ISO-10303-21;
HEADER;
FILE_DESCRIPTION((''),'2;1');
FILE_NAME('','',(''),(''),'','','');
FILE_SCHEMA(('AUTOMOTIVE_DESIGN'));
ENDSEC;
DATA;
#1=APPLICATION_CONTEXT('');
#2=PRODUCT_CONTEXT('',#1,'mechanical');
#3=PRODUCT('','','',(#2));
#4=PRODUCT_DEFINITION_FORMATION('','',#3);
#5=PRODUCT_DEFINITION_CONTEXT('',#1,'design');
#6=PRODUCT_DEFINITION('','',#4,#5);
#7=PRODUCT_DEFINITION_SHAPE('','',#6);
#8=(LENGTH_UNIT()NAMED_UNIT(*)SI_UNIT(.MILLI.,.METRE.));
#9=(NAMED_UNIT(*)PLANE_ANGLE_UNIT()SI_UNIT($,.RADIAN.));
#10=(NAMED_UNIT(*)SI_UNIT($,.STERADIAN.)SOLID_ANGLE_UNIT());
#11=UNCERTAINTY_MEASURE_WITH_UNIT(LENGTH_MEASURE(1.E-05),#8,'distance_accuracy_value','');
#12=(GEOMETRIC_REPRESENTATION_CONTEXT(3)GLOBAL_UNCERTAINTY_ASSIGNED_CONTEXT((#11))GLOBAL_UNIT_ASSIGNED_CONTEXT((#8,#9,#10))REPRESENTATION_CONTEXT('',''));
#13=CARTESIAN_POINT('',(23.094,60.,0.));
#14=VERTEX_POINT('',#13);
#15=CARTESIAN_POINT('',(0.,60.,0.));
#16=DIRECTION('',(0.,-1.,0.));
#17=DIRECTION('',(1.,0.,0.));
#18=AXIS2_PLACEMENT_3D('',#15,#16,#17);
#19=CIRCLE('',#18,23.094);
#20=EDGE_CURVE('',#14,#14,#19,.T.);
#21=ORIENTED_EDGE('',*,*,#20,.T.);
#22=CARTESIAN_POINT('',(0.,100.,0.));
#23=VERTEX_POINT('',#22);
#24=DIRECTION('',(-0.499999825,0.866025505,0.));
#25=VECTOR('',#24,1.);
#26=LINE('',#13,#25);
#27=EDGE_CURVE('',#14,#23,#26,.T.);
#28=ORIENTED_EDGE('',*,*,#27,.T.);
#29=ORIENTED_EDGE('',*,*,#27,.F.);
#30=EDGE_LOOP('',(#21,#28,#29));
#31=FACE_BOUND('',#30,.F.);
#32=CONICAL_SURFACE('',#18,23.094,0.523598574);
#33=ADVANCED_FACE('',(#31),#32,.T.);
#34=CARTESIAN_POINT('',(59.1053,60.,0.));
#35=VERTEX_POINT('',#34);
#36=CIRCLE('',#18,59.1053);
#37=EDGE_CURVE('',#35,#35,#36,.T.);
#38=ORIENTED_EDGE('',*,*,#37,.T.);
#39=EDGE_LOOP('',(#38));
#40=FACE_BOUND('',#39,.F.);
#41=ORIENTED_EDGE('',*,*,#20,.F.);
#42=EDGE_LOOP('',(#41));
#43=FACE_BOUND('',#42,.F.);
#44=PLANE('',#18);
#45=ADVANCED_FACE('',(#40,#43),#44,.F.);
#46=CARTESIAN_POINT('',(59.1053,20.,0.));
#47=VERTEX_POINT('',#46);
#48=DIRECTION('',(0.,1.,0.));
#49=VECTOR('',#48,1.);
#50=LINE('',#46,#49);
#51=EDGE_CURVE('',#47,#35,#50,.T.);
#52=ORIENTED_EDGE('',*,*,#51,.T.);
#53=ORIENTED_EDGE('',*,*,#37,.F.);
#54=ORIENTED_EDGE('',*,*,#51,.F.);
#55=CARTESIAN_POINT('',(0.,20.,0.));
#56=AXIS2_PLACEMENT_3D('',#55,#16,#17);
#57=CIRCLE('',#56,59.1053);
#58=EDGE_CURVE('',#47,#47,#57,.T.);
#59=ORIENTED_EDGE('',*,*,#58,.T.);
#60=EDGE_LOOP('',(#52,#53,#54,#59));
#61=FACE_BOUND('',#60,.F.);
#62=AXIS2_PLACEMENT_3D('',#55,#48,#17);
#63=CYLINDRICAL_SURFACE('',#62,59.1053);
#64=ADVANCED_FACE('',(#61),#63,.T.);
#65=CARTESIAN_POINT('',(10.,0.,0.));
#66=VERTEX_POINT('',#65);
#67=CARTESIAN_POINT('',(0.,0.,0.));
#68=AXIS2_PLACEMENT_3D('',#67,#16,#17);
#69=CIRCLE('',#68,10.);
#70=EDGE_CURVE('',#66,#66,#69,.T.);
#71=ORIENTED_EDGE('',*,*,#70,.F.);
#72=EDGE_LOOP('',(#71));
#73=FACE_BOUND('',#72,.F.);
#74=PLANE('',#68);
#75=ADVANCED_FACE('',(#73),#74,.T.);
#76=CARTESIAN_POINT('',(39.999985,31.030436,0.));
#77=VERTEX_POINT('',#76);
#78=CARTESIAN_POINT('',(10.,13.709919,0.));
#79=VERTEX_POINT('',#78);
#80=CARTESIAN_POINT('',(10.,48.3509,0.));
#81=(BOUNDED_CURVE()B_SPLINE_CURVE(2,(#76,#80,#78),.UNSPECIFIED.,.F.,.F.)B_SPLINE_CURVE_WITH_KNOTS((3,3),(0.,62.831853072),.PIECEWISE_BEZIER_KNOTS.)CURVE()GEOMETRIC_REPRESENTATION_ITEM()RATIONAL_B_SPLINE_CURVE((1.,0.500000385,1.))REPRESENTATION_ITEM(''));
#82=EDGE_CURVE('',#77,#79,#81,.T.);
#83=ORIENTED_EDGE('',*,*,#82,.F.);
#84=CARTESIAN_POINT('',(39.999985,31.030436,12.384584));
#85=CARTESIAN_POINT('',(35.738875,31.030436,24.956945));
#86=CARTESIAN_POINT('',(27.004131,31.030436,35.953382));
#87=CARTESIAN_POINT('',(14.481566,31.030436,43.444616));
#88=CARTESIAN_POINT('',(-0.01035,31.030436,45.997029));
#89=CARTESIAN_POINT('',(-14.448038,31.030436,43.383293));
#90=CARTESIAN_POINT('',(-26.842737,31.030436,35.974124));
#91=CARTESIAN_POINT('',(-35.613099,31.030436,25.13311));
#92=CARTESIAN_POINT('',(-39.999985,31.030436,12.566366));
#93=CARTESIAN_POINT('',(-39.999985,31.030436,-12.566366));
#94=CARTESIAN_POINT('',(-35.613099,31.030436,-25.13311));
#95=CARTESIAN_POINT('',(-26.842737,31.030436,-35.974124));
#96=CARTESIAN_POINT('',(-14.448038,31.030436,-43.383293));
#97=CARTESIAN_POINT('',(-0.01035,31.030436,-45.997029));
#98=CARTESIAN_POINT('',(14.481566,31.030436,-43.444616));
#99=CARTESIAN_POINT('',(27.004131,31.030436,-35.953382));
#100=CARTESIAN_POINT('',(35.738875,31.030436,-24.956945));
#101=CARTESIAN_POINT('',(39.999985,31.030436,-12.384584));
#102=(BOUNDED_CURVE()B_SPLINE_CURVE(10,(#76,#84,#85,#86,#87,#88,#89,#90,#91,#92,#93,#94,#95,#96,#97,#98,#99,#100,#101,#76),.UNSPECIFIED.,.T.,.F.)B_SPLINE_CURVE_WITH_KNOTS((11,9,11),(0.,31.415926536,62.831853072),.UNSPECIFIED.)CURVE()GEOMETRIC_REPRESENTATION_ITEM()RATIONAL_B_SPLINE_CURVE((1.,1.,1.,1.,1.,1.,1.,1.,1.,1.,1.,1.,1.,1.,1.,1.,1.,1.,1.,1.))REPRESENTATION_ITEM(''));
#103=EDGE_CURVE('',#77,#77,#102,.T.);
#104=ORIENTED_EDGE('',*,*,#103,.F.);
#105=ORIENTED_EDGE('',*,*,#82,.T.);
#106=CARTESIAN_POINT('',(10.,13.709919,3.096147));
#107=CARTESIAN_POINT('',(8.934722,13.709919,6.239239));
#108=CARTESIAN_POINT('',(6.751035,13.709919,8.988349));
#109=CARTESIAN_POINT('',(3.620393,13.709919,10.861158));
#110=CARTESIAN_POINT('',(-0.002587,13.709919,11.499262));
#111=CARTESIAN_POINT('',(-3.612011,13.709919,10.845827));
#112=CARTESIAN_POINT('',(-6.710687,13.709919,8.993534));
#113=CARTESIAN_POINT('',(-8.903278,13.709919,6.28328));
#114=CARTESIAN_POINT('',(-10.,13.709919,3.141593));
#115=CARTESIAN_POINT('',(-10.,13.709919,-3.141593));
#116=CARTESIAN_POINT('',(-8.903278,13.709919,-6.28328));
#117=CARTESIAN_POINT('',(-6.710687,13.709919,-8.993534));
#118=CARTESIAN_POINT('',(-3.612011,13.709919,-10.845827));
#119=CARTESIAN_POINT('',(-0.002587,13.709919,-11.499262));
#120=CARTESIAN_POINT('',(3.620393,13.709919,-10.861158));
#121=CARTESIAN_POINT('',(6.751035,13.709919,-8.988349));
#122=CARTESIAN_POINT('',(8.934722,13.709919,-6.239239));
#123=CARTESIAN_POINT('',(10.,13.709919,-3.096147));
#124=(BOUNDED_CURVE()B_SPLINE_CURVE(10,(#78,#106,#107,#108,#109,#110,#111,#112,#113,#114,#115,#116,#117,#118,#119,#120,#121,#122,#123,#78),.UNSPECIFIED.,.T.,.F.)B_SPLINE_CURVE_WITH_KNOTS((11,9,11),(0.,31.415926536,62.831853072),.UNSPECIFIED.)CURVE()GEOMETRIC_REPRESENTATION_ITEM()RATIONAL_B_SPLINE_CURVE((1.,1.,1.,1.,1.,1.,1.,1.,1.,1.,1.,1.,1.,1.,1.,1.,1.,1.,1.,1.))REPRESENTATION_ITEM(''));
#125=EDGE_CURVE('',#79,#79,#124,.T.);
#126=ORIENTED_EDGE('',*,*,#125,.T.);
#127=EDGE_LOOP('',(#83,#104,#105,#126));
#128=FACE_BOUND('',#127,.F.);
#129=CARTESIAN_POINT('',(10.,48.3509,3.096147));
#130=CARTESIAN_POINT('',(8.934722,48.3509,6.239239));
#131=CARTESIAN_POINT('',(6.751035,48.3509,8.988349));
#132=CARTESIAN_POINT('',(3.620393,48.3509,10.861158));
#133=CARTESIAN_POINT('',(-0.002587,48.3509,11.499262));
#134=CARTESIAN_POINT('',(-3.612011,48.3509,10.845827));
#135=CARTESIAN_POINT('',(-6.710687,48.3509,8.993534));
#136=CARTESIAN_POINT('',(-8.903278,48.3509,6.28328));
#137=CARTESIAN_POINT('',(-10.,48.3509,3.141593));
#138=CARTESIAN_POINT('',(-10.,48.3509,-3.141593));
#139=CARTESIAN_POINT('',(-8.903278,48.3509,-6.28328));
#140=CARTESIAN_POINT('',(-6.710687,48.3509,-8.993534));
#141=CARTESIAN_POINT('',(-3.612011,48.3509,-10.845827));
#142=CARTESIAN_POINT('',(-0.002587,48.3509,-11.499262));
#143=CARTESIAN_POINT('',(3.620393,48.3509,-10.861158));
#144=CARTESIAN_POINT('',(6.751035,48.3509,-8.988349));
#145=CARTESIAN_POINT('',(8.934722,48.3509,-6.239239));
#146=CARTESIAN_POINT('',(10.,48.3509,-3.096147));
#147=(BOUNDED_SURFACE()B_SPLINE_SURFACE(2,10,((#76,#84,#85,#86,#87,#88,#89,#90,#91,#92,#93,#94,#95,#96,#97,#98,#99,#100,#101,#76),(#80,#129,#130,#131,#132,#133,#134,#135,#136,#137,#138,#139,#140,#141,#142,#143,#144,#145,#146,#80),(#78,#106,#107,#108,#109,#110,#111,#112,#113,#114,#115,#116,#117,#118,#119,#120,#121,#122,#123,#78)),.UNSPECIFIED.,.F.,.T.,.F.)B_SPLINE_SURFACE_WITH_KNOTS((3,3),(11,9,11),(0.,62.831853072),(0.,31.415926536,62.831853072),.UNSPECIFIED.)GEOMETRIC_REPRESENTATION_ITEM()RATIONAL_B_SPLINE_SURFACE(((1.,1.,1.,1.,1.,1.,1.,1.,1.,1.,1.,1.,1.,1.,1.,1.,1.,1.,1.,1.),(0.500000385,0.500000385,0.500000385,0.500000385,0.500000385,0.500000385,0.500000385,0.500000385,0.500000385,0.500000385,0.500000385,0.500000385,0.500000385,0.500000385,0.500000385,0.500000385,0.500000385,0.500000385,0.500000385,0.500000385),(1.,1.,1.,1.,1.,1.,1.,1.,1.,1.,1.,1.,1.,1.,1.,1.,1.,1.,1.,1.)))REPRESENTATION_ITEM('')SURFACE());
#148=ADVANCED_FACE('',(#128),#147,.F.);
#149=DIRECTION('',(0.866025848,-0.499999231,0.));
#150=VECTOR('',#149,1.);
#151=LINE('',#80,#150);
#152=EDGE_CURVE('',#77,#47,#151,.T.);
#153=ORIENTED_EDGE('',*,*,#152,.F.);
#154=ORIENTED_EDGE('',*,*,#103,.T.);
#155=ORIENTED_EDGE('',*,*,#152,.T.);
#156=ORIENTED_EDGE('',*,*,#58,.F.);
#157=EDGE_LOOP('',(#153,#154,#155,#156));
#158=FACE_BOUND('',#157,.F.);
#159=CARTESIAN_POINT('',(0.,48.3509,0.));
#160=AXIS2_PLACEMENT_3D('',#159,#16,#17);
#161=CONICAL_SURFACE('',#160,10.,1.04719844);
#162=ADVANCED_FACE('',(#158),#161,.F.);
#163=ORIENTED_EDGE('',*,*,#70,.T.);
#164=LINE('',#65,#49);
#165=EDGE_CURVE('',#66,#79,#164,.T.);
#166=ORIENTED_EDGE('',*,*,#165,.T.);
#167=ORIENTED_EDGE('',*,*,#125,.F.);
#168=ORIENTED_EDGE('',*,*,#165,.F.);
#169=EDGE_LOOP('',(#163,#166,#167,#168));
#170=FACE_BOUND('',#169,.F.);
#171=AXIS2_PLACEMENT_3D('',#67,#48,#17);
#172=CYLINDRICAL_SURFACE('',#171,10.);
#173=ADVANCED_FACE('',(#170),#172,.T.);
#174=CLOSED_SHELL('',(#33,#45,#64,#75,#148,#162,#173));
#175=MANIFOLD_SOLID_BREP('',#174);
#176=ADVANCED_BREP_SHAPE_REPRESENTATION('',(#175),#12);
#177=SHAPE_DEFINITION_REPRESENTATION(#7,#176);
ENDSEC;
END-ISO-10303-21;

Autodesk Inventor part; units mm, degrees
ref_plane "YZ Plane" through (0, 0, 0) normal (1, 0, 0) x (0, 1, 0)
ref_plane "XZ Plane" through (0, 0, 0) normal (0, 1, 0) x (-1, 0, 0)
ref_plane "XY Plane" through (0, 0, 0) normal (0, 0, 1) x (1, 0, 0)
sketch "Sketch1" plane through (0, 0, 0) normal (0, 0, 1) x (1, 0, 0)
  line L0 (0, 0) -> (10, 0)
  line L1 (10, 0) -> (10, 48.3509)
  line L2 (10, 48.3509) -> (59.1053, 20)
  line L3 (59.1053, 20) -> (59.1053, 60)
  line L4 (59.1053, 60) -> (23.094, 60)
  line L5 (23.094, 60) -> (0, 100)
  line L6 (0, 100) -> (0, 0)
  dimension "d0" = 20
  dimension "d1" = 30
  dimension "d2" = 100
  dimension "d3" = 60
  dimension "d4" = 40
  dimension "d5" = 118.2105
  dimension "d6" = 60
revolve "Revolution1" add sketch "Sketch1" angle 360 about axis through (0, 100, 0) along (0, -1, 0)
fillet "Fillet1" radius 20 1 edges at (-10, 48.3509, 0)
equation "\"ITERACOES\" = 0"
equation "\"VALORES_OTIMOS\" = 118.21054"
properties part number "Mass_otimization" material "Steel, Mild"
